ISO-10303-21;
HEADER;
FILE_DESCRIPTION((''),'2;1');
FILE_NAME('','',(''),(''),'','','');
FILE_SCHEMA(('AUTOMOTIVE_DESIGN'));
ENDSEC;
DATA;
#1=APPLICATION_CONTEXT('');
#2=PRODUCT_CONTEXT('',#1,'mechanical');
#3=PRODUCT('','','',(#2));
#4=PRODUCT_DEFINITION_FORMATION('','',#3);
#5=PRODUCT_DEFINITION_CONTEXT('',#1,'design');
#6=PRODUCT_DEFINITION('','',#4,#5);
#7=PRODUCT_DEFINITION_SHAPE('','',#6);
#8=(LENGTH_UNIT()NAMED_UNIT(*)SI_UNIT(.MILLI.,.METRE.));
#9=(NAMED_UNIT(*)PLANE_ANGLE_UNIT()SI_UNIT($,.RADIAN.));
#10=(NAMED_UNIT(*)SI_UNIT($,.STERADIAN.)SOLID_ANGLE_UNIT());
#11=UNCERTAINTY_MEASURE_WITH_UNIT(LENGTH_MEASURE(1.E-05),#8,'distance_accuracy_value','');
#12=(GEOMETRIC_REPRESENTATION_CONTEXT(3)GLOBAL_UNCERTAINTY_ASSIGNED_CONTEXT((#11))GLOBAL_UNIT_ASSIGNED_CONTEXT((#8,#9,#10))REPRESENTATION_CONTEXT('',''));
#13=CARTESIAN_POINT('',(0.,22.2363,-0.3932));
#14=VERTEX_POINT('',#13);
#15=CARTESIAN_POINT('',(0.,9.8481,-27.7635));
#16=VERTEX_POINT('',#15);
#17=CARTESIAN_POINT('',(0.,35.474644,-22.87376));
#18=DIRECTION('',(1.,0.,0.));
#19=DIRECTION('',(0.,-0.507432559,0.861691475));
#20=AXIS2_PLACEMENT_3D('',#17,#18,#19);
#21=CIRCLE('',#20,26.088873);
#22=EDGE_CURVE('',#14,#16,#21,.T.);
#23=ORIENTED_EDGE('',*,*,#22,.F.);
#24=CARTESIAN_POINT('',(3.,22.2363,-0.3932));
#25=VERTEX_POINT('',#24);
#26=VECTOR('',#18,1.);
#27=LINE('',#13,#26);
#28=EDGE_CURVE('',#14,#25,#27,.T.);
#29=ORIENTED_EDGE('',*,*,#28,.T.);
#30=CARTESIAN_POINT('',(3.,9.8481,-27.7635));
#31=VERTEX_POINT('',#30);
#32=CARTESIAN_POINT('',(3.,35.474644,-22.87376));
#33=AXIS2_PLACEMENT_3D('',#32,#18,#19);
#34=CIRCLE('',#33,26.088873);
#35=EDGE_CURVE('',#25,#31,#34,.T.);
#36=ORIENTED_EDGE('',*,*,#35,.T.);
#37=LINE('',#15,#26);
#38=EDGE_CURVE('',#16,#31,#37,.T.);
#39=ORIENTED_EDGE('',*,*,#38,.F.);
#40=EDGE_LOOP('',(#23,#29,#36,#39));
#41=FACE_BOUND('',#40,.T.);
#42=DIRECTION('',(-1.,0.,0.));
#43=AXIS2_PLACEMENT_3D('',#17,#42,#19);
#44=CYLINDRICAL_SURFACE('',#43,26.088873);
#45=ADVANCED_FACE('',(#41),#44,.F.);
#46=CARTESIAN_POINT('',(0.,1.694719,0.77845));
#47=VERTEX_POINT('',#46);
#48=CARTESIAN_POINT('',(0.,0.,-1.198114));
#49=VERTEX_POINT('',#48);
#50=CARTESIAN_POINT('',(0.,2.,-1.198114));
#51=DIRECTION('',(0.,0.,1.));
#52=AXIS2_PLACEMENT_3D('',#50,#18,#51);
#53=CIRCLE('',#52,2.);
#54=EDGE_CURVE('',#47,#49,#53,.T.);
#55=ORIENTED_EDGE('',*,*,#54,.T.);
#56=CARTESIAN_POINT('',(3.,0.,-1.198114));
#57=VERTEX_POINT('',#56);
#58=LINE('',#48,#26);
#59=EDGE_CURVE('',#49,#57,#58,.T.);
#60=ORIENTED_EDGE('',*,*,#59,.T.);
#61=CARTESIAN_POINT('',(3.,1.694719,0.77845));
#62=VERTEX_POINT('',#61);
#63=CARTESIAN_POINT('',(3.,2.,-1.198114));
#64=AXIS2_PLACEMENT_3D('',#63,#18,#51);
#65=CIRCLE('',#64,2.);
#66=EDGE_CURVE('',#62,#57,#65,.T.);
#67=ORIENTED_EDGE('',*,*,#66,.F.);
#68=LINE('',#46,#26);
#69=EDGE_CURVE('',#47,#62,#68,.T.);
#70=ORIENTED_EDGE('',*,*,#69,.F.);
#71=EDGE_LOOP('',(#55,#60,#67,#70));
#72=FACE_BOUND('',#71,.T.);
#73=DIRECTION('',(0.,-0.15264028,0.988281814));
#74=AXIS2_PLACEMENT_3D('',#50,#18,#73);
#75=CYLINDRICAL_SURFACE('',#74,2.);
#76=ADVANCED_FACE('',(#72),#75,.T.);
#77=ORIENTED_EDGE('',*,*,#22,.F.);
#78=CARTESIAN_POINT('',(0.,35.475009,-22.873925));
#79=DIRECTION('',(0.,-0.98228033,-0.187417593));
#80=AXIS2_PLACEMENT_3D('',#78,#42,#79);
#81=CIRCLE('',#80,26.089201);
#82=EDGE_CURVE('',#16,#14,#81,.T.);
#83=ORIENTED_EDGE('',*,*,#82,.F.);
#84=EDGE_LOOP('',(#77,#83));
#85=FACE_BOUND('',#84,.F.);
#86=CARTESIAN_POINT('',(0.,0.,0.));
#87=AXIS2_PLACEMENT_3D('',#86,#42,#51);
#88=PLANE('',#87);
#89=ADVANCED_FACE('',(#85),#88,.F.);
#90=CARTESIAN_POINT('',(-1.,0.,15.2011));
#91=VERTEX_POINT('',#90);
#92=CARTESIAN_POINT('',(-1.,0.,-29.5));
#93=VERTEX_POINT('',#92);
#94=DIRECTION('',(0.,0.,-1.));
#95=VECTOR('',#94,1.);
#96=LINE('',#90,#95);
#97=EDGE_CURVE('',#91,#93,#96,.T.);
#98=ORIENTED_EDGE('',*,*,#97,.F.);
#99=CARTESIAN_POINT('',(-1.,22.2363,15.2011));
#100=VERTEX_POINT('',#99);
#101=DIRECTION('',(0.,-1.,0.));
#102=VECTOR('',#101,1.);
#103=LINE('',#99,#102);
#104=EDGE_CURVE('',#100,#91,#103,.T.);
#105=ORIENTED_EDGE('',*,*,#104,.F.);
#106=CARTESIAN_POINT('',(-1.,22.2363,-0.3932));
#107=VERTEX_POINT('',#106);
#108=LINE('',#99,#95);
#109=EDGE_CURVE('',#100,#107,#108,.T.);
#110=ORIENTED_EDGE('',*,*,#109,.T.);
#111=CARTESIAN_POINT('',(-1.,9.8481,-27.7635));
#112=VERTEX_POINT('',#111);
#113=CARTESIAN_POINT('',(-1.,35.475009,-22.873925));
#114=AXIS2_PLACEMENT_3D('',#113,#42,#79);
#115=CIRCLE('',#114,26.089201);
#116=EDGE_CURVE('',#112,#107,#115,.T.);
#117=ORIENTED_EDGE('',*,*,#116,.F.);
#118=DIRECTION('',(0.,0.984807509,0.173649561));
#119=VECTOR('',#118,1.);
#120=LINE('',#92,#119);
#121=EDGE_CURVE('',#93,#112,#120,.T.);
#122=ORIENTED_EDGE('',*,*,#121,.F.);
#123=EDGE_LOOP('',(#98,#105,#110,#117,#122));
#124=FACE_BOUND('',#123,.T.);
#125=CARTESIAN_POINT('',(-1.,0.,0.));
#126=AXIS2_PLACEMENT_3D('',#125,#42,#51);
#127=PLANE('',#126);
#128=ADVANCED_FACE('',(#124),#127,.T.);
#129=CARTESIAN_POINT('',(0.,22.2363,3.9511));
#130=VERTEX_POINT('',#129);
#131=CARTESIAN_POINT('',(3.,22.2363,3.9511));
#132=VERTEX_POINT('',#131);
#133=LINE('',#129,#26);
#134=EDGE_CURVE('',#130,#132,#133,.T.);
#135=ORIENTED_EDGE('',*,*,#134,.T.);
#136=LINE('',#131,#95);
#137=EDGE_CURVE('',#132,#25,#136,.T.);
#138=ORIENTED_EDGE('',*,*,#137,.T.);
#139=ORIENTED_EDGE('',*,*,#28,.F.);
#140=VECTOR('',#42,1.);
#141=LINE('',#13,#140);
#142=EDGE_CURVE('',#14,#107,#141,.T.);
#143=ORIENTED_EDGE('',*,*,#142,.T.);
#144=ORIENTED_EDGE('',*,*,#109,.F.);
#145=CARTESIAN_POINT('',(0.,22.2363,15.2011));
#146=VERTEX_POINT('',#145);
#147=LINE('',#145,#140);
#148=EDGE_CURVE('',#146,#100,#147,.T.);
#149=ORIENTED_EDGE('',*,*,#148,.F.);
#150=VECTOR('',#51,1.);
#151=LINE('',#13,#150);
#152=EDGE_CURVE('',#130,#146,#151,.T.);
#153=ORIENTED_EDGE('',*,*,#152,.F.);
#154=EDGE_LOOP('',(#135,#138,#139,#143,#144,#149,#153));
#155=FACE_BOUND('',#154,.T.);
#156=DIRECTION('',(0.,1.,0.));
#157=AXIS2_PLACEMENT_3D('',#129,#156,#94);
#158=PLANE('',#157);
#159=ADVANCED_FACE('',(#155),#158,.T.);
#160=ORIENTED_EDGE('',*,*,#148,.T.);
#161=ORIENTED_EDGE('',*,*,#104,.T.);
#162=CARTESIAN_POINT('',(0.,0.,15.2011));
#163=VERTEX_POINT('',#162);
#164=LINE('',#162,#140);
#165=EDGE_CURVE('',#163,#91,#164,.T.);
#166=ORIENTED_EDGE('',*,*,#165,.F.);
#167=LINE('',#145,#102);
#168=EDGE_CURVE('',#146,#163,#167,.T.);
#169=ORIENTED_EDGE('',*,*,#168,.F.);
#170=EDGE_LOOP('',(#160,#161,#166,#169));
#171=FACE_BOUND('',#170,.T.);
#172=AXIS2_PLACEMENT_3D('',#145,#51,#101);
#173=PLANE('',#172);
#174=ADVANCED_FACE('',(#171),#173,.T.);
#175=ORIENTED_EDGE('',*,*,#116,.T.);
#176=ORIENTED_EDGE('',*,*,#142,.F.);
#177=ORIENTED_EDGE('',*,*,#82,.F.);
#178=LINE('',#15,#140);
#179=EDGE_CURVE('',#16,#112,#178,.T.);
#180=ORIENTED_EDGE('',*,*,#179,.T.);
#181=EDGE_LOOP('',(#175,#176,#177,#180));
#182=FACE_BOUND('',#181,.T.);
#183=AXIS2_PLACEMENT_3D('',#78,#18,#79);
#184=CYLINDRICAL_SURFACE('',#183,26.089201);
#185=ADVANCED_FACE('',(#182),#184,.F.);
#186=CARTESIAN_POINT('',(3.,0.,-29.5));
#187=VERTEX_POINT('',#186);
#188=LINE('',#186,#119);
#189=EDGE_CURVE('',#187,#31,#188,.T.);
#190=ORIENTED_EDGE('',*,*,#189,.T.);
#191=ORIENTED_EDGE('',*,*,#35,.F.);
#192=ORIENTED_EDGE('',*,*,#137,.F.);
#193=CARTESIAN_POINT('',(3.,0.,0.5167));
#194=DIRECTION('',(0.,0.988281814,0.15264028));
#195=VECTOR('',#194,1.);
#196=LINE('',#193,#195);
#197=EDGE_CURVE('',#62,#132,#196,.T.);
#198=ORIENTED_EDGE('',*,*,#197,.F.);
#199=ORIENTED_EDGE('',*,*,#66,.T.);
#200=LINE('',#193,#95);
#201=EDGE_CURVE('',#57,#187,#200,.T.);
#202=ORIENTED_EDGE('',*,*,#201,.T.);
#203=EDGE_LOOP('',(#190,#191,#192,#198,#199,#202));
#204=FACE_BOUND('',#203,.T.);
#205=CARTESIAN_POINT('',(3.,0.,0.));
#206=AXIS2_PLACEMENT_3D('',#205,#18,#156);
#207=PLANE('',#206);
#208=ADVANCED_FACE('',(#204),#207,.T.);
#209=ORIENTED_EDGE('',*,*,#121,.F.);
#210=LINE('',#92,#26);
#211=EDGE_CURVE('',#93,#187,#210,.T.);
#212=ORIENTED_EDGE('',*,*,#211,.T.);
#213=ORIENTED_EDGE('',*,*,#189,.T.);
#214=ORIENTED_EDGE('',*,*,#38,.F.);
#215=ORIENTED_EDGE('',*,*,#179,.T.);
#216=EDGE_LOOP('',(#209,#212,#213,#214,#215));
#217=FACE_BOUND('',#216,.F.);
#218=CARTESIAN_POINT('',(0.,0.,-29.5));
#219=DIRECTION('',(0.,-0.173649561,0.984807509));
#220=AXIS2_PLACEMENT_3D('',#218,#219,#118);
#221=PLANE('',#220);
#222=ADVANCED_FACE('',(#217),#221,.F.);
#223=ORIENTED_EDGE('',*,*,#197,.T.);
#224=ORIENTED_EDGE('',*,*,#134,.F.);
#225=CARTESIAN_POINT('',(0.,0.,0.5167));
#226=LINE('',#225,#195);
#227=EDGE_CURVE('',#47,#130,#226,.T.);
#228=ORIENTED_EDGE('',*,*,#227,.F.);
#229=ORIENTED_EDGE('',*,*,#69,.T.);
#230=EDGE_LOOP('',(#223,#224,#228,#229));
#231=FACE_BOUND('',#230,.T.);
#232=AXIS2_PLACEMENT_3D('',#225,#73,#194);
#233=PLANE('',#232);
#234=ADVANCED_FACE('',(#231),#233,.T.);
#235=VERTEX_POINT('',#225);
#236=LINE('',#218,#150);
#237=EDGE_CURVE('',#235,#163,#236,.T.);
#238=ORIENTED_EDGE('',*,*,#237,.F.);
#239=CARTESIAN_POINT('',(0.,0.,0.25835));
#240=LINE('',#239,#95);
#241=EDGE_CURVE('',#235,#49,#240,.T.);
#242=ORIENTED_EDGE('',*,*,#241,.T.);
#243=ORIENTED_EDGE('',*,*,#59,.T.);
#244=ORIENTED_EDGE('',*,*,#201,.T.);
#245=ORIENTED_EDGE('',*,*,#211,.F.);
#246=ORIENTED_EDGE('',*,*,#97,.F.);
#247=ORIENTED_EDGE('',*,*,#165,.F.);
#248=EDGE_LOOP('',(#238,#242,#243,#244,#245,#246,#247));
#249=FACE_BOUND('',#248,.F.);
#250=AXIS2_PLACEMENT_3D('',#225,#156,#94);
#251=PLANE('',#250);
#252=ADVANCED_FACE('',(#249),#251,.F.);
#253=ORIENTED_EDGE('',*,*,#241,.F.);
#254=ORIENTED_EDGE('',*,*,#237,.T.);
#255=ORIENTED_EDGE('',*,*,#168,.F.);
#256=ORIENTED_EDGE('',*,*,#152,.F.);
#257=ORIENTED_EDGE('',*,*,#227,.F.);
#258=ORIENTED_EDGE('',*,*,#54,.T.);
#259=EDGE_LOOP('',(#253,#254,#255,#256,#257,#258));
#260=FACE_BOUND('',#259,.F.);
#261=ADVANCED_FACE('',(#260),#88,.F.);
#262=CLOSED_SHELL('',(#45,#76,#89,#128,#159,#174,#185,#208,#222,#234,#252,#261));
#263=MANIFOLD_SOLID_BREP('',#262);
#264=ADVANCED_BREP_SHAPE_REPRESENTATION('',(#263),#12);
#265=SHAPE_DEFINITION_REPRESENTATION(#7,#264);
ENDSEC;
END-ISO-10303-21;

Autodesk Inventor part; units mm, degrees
ref_plane "YZ Plane" through (0, 0, 0) normal (1, 0, 0) x (0, 1, 0)
ref_plane "XZ Plane" through (0, 0, 0) normal (0, 1, 0) x (-1, 0, 0)
ref_plane "XY Plane" through (0, 0, 0) normal (0, 0, 1) x (1, 0, 0)
sketch "Sketch1" plane through (0, 0, 0) normal (1, 0, 0) x (0, 1, 0)
  line L0 (0, 0.5167) -> (0, -29.5)
  line L1 (0, 0.5167) -> (22.2363, 3.9511)
  line L2 (22.2363, 3.9511) -> (22.2363, -0.3932)
  arc A0 (22.2363, -0.3932) -> (9.8481, -27.7635) centre (35.4748, -22.8739) ccw
  line L3 (0, -29.5) -> (9.8481, -27.7635)
  point P0 (0, 0)
  dimension "d0" = 30.0167
  dimension "d1" = 22.5
  dimension "d2" = 98.78
  dimension "d3" = 9.8481
  dimension "d4" = 80
  dimension "d5" = 26.089
  dimension "d6" = 13.2384
extrude "Extrusion1" add sketch "Sketch1" along normal blind 3
sketch "Sketch2" plane through (0, 0, 0) normal (-1, 0, 0) x (0, 0, 1)
  line L0 (0.5167, 0) -> (-29.5, 0) projected
  line L1 (3.9511, 22.2363) -> (0.5167, 0) projected
  line L2 (-0.3932, 22.2363) -> (3.9511, 22.2363) projected
  arc A0 (-27.7635, 9.8481) -> (-0.3932, 22.2363) centre (-22.8739, 35.4748) ccw projected
  line L3 (-29.5, 0) -> (-27.7635, 9.8481) projected
  line L4 (3.9511, 22.2363) -> (15.2011, 22.2363)
  line L5 (15.2011, 22.2363) -> (15.2011, 0)
  line L6 (15.2011, 0) -> (-29.5, 0)
  line L7 (0, 0) -> (-29.5, 0) projected
  line L8 (-29.5, 0) -> (-27.7635, 9.8481) projected
  line L9 (-29.5, 0) -> (-27.7635, 9.8481)
  line L10 (3.9511, 22.2363) -> (0.5046, -0.0779) projected
  line L11 (3.9511, 22.2363) -> (-0.3932, 22.2363)
  arc A1 (-27.7635, 9.8481) -> (-0.3932, 22.2363) centre (-22.8739, 35.4748) ccw projected
  arc A2 (-27.7635, 9.8481) -> (-0.3932, 22.2363) centre (-22.8739, 35.4748) ccw
  dimension "d9" = 11.25
extrude "Extrusion2" add sketch "Sketch2" along normal blind 1
fillet "Fillet1" radius 2 1 edges at (1.5, 0, 0.5167)
properties part number "jam-protector-two"
